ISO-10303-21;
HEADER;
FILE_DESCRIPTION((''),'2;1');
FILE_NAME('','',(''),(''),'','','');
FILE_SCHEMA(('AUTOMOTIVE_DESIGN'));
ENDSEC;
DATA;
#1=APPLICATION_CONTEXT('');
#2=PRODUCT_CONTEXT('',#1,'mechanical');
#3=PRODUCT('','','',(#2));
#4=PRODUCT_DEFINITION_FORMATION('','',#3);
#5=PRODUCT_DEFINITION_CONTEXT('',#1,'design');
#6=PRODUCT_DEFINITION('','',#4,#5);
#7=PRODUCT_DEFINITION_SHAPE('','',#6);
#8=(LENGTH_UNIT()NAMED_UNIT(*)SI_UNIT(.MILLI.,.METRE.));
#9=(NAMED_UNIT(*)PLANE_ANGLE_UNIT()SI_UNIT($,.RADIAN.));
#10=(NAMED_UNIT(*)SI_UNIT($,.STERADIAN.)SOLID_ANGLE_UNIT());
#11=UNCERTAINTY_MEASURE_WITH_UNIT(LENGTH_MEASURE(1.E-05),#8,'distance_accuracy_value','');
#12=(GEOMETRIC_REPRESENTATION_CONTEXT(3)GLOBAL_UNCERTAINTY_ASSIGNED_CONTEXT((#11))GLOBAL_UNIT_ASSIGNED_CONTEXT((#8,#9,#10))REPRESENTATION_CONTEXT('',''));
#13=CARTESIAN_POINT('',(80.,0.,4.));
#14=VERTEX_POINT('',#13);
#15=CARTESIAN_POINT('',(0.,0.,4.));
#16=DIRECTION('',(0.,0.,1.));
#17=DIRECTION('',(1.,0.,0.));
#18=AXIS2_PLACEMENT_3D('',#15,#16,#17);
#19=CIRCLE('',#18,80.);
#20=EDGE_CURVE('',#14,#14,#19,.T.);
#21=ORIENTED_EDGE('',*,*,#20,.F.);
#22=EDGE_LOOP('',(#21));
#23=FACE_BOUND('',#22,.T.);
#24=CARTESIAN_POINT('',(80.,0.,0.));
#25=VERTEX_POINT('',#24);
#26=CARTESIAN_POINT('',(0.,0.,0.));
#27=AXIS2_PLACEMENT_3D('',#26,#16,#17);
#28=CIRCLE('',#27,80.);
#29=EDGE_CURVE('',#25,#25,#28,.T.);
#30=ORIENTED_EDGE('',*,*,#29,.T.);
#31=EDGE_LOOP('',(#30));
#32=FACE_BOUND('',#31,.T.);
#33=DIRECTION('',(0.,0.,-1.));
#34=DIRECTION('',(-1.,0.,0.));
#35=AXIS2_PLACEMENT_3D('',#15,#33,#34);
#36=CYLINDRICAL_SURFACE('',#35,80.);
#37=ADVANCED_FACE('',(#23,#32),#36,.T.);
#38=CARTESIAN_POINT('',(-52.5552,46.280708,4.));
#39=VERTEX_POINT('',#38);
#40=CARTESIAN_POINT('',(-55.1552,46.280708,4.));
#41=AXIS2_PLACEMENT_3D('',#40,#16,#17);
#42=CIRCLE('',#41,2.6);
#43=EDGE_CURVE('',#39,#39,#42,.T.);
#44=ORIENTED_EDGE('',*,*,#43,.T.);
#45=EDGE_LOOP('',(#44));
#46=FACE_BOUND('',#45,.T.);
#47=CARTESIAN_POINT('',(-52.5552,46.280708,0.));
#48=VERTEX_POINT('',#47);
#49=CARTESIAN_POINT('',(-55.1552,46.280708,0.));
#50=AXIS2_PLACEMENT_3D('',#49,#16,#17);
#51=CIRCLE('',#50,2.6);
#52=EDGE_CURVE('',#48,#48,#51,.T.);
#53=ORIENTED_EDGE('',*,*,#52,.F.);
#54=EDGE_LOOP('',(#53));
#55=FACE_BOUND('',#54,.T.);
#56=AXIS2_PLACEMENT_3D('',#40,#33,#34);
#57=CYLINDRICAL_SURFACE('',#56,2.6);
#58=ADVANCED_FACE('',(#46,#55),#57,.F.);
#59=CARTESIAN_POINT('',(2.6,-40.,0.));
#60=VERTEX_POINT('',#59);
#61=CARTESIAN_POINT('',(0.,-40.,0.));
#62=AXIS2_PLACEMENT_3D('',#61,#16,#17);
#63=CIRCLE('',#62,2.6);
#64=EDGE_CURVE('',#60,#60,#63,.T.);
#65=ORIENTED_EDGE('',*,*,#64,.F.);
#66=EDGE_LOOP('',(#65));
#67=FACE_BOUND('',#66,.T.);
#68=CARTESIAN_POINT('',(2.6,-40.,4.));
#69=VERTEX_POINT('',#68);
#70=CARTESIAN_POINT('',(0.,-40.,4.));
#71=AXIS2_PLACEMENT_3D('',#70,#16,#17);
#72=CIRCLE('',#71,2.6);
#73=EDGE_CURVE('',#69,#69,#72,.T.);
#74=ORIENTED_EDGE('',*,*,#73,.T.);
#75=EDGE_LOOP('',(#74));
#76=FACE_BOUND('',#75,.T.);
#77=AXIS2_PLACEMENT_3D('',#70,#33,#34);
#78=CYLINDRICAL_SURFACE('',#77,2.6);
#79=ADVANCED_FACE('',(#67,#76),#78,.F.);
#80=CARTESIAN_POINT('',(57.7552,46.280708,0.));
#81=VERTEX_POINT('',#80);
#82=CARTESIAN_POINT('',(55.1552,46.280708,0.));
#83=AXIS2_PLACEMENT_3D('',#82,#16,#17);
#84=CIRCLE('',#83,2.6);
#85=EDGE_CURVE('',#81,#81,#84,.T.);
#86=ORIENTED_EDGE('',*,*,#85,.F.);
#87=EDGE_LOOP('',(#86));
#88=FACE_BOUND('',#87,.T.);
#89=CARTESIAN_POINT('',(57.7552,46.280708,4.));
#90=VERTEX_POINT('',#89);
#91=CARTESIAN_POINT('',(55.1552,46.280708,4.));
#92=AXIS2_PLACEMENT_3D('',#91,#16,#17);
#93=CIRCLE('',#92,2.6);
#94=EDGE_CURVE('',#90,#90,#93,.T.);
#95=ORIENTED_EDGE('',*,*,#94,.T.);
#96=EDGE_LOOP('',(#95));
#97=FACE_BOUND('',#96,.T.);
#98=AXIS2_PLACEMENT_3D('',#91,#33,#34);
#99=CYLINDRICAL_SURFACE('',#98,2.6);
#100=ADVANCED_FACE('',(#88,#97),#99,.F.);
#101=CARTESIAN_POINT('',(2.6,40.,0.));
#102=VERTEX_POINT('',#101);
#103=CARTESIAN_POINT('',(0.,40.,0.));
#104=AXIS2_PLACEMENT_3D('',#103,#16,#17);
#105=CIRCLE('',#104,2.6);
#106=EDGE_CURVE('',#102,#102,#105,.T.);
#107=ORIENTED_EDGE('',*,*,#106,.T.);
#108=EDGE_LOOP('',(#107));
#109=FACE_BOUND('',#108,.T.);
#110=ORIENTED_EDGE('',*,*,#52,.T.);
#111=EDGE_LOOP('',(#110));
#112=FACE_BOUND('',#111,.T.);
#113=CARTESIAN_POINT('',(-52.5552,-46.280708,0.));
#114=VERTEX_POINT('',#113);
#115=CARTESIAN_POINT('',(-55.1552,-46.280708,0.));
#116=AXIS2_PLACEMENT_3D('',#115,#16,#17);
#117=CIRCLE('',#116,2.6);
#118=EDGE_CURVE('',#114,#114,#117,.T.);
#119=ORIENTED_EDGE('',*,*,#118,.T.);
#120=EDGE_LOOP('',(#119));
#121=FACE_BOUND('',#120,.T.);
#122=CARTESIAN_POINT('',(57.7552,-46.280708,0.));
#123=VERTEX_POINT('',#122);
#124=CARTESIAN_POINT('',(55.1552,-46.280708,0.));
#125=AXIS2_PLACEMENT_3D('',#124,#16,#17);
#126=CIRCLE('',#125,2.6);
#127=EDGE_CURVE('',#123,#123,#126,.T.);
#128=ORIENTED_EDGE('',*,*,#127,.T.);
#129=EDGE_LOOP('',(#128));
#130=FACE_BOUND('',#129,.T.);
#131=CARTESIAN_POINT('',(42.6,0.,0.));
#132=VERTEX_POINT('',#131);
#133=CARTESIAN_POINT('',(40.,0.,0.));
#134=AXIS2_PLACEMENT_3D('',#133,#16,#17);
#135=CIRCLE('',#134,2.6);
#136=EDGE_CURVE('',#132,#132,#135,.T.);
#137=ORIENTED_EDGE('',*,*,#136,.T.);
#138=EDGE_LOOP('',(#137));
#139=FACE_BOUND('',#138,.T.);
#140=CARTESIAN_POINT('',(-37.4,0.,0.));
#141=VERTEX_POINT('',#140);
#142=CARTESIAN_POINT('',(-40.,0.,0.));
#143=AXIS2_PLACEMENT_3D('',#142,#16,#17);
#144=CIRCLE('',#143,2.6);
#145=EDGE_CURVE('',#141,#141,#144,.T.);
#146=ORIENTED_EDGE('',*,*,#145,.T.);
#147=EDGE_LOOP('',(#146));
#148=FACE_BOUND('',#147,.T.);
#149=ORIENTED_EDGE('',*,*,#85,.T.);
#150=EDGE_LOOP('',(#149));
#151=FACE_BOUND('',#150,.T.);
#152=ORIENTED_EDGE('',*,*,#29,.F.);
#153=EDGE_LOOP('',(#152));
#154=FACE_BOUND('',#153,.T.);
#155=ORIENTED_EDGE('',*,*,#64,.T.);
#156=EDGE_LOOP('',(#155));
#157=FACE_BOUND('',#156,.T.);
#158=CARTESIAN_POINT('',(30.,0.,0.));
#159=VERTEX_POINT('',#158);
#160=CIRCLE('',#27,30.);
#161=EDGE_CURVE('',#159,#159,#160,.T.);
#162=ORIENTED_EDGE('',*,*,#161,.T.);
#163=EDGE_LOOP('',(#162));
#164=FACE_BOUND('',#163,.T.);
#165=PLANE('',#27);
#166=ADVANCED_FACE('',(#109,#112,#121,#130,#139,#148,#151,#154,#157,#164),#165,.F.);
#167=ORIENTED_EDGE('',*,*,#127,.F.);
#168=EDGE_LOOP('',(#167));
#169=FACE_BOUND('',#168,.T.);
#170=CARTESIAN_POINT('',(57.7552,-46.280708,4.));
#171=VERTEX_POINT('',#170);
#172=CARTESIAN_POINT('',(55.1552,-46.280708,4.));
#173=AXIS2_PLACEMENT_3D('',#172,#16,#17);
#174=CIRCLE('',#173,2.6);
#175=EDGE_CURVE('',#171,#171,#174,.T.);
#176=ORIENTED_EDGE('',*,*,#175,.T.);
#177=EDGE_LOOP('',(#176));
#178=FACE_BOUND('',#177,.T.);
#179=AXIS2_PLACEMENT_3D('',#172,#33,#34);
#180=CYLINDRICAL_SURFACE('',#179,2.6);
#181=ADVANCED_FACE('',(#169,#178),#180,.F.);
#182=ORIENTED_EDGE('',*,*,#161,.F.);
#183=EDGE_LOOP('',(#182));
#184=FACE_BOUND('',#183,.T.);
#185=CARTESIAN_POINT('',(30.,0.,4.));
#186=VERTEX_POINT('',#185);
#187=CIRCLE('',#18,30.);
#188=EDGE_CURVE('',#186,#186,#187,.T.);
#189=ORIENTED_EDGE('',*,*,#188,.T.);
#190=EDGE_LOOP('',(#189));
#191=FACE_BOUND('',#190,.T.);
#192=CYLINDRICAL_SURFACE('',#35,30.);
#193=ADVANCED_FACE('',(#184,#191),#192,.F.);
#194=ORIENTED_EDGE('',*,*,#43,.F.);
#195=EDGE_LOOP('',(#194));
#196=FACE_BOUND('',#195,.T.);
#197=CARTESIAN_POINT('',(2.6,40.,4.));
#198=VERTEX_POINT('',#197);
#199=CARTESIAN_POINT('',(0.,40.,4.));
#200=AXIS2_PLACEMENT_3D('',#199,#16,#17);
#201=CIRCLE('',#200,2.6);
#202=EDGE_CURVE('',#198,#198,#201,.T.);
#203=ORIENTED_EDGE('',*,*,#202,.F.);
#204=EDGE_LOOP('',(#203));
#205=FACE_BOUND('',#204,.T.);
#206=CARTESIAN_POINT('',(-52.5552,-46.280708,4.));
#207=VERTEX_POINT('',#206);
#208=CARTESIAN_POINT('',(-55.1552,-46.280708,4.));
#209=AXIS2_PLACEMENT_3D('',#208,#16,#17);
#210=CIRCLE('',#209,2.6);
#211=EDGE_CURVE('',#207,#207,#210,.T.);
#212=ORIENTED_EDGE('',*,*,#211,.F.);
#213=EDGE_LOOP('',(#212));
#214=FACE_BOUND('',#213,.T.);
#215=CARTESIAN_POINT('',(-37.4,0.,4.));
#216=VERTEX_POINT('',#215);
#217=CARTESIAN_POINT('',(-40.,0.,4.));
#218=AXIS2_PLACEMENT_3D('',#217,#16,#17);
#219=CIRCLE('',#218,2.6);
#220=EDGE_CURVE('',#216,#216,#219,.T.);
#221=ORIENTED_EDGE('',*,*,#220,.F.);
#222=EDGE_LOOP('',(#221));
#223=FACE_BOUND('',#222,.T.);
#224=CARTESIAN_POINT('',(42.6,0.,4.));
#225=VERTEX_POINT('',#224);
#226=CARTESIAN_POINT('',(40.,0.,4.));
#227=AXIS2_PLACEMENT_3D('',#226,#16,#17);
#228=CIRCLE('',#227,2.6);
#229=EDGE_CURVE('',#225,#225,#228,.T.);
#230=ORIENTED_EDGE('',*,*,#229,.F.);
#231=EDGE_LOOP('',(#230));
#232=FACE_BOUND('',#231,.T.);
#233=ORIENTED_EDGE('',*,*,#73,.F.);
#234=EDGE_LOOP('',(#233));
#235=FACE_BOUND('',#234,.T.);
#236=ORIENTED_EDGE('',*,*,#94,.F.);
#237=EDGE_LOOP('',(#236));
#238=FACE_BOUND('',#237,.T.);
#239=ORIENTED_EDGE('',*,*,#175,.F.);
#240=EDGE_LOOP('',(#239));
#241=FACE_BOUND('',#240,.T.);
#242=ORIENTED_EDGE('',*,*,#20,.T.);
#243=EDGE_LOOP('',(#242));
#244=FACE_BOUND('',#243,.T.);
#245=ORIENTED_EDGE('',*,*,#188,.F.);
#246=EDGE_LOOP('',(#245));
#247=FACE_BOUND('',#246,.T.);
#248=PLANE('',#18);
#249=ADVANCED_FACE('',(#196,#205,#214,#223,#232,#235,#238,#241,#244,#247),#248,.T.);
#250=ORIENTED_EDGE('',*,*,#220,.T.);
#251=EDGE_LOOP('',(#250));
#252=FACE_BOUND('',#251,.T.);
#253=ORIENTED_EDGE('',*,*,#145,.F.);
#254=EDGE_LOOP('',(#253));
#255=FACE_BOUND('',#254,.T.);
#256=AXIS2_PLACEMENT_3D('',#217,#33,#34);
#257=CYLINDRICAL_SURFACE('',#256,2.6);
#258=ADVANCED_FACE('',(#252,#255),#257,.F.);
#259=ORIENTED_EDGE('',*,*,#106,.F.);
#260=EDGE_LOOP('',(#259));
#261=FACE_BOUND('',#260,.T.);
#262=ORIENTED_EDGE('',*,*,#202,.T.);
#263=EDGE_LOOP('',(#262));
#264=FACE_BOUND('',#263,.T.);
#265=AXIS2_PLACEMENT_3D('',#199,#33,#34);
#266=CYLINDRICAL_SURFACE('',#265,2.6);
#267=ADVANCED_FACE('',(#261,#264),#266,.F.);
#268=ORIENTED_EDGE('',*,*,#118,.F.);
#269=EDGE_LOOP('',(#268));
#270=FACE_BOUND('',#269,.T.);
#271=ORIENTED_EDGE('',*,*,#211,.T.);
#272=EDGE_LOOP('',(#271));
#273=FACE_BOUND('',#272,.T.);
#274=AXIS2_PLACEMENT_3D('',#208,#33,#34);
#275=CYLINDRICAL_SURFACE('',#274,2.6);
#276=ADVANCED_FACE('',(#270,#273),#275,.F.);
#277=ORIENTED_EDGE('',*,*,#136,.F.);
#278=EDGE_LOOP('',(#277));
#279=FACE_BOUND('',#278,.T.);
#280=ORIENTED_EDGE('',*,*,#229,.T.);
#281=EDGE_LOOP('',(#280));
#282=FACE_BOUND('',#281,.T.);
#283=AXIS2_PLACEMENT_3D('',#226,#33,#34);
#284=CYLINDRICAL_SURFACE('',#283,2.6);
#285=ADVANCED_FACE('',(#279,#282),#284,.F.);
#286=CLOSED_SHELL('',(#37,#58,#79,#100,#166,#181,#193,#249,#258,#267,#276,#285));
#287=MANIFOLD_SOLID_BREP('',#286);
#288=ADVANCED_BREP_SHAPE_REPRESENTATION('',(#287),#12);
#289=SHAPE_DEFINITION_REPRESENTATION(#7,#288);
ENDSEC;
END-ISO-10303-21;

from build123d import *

# Parameters (mm, degrees)
SKETCH1_R           = 80
SKETCH1_R_2         = 2.6
SKETCH1_R_3         = 30
BOSS_EXTRUDE1_DEPTH = 4


with BuildPart() as part:
    # Sketch1 → Boss-Extrude1 (new body)
    with BuildSketch(Plane.XY):
        Circle(SKETCH1_R)
        with Locations((-55.155199905, 46.280707897)):
            Circle(SKETCH1_R_2, mode=Mode.SUBTRACT)
        with Locations((55.155199905, 46.280707897)):
            Circle(SKETCH1_R_2, mode=Mode.SUBTRACT)
        with Locations((55.155199905, -46.280707897)):
            Circle(SKETCH1_R_2, mode=Mode.SUBTRACT)
        with Locations((-55.155199905, -46.280707897)):
            Circle(SKETCH1_R_2, mode=Mode.SUBTRACT)
        Circle(SKETCH1_R_3, mode=Mode.SUBTRACT)
        with Locations((0, -40)):
            Circle(SKETCH1_R_2, mode=Mode.SUBTRACT)
        with Locations((-40, 0)):
            Circle(SKETCH1_R_2, mode=Mode.SUBTRACT)
        with Locations((0, 40)):
            Circle(SKETCH1_R_2, mode=Mode.SUBTRACT)
        with Locations((40, 0)):
            Circle(SKETCH1_R_2, mode=Mode.SUBTRACT)
    extrude(amount=BOSS_EXTRUDE1_DEPTH)


solid = part.part
